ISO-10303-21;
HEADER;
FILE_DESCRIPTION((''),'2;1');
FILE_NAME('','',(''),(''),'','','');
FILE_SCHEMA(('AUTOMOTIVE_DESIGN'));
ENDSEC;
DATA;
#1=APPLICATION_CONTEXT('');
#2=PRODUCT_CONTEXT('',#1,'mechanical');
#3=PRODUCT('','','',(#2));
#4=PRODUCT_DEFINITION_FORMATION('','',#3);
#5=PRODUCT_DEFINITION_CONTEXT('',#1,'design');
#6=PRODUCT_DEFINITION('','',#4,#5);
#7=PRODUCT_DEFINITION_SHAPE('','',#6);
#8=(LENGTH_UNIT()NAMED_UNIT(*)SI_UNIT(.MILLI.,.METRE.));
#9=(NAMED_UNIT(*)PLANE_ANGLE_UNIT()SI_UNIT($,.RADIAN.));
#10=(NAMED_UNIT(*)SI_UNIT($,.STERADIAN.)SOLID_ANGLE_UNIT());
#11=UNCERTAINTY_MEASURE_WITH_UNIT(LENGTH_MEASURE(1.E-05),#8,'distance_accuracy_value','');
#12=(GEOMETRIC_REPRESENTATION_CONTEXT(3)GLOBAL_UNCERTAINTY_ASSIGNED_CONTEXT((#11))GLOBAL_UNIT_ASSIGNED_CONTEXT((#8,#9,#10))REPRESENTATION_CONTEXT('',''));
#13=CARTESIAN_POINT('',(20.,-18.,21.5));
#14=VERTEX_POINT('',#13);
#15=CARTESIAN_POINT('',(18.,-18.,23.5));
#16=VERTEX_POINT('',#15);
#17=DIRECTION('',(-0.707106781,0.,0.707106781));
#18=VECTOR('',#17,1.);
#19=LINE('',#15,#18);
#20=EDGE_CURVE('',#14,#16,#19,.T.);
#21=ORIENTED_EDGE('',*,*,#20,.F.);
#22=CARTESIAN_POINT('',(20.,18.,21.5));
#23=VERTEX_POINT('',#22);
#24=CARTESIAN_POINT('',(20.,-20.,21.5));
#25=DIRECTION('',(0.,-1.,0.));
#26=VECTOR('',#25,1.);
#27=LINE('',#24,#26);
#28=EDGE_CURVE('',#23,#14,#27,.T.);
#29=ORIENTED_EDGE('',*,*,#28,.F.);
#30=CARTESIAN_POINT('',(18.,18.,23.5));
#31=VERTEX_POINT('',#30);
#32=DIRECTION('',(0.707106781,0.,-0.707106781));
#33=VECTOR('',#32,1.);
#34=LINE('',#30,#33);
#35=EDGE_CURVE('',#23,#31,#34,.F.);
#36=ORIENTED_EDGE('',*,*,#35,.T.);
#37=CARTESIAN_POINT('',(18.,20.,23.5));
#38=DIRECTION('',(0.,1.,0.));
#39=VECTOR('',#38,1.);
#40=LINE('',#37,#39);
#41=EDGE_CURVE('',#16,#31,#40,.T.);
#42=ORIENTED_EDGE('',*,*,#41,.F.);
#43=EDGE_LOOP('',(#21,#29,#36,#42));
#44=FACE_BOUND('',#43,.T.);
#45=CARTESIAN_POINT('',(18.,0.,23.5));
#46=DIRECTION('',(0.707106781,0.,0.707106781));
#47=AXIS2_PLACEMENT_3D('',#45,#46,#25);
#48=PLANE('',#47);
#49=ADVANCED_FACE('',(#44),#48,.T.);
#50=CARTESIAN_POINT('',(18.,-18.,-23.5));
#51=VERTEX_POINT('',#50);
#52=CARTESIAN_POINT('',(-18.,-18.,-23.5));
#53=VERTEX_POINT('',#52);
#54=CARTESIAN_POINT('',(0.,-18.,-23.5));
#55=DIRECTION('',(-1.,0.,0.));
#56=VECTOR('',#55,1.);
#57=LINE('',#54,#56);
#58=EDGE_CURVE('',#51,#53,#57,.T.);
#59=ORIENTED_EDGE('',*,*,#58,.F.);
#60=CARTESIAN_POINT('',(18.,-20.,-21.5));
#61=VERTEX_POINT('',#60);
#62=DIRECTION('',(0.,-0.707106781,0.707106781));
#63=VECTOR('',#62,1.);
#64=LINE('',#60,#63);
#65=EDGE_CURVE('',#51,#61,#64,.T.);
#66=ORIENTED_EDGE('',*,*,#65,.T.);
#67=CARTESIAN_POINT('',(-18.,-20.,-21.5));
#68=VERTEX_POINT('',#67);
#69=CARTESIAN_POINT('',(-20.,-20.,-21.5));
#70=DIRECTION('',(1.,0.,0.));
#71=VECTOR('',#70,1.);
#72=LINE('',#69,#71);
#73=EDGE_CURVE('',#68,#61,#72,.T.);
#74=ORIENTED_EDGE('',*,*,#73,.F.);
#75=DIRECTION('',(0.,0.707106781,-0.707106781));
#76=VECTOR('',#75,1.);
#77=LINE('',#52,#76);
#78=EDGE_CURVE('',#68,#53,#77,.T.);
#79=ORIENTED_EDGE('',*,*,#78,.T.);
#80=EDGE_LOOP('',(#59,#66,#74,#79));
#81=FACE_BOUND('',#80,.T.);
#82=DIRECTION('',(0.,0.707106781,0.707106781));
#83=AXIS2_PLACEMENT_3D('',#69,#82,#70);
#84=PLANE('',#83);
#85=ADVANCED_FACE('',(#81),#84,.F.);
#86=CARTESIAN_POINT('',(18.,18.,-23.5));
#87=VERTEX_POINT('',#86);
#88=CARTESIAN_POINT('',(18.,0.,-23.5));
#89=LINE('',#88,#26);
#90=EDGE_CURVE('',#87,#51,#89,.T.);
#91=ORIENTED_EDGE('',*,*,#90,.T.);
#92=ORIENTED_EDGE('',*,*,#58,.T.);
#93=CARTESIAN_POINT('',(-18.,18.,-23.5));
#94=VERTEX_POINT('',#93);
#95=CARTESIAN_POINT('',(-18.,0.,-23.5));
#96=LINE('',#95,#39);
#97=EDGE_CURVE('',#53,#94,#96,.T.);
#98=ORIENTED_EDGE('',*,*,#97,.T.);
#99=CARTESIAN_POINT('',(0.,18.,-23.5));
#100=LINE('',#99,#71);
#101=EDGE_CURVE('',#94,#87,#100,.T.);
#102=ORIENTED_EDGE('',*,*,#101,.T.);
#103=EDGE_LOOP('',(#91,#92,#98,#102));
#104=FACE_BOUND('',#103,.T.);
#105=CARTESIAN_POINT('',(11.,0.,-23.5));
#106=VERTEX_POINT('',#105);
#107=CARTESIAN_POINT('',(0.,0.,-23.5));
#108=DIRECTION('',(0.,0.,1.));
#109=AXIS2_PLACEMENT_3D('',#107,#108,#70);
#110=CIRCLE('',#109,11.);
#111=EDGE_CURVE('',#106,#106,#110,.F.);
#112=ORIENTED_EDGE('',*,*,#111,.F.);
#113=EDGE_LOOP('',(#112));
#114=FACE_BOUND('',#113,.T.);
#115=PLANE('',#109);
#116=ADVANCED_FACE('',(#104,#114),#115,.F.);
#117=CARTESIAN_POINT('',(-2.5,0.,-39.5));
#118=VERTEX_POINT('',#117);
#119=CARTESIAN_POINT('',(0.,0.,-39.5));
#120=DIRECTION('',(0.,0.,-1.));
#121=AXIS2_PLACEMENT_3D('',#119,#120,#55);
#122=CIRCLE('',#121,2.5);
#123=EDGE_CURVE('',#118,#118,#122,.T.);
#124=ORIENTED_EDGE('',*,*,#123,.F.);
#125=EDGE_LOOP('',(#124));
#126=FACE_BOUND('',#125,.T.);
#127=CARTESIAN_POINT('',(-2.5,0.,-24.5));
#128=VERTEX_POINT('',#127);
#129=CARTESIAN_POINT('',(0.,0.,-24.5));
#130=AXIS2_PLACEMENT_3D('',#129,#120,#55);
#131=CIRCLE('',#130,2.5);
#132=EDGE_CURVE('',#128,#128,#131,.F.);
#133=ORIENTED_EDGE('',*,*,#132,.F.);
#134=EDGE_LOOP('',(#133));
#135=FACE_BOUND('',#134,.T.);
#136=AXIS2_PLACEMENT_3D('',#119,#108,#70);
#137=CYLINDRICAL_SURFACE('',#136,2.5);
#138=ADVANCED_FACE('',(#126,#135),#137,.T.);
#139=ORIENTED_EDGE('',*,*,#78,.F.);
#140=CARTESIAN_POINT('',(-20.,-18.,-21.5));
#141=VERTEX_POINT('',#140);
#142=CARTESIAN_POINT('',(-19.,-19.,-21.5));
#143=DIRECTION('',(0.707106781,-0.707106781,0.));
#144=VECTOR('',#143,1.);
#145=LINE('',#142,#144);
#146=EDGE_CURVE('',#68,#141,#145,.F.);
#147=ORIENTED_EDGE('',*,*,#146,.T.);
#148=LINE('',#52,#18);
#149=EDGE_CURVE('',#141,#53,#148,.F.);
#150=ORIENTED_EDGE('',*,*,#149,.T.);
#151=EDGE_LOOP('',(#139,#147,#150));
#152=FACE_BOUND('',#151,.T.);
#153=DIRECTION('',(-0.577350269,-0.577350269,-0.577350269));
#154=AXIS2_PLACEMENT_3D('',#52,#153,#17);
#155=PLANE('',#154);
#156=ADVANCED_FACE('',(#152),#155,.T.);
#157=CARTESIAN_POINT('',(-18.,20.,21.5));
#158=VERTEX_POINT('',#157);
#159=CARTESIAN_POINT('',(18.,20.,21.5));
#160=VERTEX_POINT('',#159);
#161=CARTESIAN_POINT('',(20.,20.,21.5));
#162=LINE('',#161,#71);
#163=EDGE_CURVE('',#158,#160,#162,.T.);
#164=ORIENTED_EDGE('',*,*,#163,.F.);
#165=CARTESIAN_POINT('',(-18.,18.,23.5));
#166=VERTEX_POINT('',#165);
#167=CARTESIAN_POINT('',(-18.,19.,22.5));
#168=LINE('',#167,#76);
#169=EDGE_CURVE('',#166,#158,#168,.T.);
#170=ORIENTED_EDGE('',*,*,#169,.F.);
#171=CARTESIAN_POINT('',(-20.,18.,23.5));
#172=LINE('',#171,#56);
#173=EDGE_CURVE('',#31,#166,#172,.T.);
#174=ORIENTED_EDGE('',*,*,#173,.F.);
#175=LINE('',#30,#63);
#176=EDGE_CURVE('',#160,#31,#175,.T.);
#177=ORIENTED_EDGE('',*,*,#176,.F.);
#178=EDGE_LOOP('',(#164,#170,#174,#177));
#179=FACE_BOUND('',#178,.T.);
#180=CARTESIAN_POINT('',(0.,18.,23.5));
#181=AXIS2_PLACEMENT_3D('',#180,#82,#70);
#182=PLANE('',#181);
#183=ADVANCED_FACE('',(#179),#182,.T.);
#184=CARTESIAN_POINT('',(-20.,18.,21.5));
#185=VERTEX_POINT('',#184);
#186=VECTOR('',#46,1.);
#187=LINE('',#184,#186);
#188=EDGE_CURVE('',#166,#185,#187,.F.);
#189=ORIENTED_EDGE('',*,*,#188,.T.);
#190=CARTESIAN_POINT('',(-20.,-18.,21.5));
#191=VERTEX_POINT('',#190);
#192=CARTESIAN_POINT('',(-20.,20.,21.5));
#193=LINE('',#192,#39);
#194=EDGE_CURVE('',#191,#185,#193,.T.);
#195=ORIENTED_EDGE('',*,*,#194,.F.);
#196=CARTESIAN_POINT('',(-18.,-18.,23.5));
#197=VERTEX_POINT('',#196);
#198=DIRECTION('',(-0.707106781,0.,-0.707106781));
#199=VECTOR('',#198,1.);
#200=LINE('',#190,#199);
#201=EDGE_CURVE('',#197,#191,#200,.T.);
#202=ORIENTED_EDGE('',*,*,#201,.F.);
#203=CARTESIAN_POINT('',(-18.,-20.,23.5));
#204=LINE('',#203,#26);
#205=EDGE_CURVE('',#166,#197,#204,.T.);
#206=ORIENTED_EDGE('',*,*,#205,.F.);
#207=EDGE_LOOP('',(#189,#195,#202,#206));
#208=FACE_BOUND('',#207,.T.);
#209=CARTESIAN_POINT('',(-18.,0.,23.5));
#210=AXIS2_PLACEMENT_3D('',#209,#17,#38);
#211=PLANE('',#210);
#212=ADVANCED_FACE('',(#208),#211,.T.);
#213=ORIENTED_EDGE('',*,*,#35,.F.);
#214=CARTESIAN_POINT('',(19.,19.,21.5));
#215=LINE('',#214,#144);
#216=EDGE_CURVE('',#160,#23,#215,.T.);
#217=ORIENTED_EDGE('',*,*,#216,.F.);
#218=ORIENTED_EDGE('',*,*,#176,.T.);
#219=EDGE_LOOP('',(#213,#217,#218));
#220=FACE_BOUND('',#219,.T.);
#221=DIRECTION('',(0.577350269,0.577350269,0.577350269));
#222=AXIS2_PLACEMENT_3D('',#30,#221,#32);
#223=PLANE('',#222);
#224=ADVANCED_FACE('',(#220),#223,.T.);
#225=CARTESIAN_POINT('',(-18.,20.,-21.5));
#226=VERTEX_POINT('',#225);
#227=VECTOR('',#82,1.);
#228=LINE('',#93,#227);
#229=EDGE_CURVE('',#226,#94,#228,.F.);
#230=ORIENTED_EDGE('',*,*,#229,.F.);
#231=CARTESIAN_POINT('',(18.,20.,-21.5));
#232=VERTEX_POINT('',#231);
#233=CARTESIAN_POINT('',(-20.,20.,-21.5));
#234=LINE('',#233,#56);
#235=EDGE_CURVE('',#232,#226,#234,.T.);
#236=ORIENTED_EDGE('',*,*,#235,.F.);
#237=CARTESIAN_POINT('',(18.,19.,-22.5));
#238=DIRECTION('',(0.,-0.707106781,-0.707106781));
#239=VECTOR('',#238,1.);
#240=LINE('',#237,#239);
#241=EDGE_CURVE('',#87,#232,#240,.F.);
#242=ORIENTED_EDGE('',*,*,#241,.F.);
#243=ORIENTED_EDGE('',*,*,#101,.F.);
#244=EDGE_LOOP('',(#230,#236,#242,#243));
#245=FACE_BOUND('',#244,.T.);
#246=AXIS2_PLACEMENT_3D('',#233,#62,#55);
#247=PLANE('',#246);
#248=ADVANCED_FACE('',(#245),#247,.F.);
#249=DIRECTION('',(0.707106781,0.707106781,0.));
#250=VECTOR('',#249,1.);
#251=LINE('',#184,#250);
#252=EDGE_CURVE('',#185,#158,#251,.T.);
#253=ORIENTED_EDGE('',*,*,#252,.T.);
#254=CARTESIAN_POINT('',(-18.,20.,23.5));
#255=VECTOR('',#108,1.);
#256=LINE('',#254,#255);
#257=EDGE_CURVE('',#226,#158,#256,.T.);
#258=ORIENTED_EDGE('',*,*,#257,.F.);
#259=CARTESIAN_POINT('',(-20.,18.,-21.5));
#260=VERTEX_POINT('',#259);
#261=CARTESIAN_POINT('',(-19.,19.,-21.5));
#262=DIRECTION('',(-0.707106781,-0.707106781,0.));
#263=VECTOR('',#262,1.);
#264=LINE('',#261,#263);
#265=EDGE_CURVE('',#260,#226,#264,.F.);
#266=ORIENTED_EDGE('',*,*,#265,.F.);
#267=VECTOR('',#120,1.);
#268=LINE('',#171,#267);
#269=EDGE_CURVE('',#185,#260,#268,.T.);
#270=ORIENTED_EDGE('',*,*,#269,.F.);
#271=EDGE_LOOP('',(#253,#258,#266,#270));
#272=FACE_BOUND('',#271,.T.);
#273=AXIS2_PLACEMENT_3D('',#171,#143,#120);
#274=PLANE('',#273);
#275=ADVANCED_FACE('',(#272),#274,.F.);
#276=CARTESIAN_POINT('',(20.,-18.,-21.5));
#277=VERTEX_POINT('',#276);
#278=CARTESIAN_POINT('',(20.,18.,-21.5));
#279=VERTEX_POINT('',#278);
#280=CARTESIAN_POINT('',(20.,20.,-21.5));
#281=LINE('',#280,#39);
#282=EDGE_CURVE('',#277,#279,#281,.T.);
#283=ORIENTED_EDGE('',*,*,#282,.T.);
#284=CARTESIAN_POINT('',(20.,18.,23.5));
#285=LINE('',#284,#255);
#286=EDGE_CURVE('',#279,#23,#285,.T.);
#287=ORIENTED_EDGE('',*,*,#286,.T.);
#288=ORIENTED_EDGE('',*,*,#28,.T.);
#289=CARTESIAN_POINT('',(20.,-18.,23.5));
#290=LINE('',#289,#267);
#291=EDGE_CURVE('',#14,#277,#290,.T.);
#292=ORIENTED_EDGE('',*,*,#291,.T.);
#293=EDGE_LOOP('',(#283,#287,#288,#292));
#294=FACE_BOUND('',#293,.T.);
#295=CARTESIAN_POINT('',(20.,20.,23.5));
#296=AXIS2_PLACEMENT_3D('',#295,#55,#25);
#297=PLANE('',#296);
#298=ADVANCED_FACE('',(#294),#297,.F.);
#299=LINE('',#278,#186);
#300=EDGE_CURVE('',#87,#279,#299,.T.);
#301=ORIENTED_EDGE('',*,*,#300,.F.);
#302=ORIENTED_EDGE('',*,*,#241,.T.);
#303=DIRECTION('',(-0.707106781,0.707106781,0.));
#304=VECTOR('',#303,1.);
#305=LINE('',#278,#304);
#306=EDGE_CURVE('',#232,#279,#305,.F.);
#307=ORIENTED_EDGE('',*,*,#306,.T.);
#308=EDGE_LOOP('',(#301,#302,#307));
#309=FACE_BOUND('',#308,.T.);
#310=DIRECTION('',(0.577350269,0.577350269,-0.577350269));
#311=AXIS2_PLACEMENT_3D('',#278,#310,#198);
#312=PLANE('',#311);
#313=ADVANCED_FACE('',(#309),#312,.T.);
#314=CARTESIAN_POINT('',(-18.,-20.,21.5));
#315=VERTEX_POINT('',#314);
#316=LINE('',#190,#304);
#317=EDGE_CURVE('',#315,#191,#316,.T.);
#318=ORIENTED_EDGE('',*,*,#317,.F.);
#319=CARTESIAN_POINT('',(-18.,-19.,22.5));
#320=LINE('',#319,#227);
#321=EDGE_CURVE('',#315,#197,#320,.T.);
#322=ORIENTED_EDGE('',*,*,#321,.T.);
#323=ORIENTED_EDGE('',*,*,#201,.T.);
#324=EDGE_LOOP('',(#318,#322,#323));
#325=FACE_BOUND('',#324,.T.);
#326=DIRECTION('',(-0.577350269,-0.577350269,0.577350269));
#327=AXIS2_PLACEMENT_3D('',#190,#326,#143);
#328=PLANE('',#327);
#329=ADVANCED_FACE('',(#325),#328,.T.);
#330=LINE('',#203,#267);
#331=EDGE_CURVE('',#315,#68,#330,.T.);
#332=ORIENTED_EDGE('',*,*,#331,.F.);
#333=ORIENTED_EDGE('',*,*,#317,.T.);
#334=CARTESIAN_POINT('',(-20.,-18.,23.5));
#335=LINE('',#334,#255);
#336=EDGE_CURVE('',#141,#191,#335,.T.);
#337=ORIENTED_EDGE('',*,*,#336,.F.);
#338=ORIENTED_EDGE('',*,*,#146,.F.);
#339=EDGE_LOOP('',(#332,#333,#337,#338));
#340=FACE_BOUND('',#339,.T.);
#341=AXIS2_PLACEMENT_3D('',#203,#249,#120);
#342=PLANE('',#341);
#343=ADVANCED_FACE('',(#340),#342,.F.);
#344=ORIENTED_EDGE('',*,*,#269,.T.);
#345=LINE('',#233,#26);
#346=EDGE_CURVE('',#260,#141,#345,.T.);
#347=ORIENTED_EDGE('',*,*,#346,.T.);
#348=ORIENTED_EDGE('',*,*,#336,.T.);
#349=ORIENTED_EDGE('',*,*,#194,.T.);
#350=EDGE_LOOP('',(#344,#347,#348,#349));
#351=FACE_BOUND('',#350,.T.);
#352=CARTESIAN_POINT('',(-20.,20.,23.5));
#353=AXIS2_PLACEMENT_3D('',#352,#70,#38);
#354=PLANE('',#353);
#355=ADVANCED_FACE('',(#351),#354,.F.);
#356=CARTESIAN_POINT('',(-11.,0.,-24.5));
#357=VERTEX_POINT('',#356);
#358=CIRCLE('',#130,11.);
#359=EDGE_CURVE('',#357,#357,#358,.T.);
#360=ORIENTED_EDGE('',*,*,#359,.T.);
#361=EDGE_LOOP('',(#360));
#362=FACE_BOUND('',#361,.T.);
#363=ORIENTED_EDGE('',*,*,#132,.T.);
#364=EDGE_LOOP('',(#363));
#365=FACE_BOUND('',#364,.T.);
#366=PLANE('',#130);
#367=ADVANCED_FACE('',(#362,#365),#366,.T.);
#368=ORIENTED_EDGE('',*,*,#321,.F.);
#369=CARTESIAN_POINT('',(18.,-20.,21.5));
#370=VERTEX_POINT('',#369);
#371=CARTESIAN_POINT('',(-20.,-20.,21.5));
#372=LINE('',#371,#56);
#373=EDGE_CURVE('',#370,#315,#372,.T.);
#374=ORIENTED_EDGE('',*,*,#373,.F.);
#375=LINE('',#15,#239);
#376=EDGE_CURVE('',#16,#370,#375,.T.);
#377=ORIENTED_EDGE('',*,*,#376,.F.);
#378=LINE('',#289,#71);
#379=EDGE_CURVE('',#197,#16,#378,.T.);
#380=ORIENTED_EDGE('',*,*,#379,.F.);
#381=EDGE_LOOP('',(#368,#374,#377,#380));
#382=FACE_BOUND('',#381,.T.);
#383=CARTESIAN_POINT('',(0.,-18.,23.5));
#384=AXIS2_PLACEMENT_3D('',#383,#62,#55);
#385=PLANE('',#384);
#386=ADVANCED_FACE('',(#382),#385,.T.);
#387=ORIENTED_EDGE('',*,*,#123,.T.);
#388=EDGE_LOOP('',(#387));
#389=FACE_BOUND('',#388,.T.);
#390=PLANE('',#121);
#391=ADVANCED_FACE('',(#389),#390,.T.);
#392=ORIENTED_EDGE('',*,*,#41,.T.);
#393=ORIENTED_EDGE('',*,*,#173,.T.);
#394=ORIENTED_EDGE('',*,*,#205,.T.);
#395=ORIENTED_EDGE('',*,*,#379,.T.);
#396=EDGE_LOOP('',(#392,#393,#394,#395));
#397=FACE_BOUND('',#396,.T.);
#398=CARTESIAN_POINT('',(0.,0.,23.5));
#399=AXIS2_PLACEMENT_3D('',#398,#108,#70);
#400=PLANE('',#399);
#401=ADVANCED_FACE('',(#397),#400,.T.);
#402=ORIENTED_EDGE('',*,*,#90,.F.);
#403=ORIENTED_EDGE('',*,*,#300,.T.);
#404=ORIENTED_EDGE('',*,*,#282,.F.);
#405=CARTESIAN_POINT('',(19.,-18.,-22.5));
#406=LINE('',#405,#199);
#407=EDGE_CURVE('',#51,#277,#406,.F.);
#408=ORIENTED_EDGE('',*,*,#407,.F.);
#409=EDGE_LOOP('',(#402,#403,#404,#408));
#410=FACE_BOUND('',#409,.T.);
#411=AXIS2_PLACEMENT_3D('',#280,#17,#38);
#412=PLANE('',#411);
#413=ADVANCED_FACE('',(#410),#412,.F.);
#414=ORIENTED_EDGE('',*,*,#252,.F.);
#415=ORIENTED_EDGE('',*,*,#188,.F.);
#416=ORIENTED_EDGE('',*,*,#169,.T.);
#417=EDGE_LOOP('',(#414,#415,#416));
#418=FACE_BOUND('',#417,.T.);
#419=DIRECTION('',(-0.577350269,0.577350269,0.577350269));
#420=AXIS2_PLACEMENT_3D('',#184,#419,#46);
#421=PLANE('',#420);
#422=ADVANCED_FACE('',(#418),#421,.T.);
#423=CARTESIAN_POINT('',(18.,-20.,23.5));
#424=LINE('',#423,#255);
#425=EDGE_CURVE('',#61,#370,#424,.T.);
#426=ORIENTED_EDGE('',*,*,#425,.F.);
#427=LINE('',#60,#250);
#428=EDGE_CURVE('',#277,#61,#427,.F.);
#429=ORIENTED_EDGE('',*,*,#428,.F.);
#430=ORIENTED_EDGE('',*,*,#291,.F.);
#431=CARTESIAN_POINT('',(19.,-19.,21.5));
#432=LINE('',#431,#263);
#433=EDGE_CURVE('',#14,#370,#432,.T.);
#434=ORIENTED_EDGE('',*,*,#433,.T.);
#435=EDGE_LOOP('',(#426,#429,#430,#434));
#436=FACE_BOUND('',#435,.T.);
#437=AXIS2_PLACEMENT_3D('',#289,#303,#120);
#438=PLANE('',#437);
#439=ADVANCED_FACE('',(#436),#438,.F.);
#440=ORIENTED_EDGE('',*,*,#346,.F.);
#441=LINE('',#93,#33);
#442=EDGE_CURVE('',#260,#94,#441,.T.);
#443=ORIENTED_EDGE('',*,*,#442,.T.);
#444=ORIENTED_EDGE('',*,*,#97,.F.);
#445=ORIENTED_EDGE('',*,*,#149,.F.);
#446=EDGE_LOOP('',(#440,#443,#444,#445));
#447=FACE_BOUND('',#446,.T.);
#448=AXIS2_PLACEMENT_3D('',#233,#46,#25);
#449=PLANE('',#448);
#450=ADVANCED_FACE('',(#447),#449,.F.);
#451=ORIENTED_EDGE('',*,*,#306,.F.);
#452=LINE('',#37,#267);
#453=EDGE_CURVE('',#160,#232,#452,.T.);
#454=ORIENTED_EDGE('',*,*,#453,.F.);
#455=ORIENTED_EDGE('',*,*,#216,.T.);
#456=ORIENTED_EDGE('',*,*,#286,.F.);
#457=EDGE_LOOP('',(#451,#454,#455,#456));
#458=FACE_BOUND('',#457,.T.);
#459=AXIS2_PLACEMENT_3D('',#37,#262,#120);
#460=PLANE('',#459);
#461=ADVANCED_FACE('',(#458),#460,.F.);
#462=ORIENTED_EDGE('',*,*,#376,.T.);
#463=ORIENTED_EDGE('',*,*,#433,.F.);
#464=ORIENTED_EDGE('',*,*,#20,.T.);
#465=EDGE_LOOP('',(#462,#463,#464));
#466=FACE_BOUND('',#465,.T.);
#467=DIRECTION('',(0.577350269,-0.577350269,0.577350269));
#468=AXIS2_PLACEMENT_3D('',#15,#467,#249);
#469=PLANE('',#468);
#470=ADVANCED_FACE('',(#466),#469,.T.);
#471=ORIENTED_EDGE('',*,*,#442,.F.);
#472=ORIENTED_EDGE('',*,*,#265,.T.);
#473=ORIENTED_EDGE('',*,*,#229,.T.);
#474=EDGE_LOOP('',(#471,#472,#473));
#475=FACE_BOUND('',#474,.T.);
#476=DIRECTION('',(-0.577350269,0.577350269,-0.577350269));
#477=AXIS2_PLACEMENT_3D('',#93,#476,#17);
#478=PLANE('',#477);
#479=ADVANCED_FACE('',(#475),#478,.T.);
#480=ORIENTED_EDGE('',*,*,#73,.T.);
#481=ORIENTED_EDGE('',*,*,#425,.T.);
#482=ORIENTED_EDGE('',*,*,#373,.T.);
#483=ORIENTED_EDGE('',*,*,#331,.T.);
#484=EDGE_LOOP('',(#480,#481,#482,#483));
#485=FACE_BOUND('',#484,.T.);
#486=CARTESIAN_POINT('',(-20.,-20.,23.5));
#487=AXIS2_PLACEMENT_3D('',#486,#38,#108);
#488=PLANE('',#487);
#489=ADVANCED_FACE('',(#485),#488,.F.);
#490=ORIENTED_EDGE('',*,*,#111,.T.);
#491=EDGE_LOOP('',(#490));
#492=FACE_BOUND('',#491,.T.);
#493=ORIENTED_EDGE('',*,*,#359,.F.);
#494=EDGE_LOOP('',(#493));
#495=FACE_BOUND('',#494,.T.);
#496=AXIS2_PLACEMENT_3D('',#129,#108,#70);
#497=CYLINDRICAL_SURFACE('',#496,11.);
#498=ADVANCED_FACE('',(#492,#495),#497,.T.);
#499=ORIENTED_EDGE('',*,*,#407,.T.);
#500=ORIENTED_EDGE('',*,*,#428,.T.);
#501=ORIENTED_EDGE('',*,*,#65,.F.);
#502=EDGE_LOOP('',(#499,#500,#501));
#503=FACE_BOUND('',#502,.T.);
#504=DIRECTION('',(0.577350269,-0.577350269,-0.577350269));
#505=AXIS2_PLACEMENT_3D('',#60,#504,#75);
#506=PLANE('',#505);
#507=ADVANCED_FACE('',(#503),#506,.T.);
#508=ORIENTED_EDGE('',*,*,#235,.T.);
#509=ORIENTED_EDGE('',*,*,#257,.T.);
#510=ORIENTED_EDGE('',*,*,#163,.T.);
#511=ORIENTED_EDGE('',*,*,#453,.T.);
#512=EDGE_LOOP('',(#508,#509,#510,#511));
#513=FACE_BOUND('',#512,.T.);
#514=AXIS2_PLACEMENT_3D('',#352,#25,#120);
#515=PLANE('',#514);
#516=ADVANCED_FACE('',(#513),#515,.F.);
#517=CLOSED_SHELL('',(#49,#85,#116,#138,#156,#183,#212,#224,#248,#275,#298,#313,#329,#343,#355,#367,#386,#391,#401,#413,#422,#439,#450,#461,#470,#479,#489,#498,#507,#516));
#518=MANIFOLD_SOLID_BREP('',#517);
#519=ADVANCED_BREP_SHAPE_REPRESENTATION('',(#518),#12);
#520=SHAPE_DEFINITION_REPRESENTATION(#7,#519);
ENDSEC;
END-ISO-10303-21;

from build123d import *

# Parameters (mm, degrees)
SKETCH1_W           = 40
SKETCH1_H           = 40
BOSS_EXTRUDE1_DEPTH = 23.5
CHAMFER1_SIZE       = 2
SKETCH2_R           = 11
BOSS_EXTRUDE2_DEPTH = 1
SKETCH3_R           = 2.5
BOSS_EXTRUDE3_DEPTH = 15


with BuildPart() as part:
    # Sketch1 → Boss-Extrude1 (new body, symmetric)
    with BuildSketch(Plane.XY):
        Rectangle(SKETCH1_W, SKETCH1_H)
    extrude(amount=BOSS_EXTRUDE1_DEPTH, both=True)

    # Chamfer1
    chamfer1_edges = [part.edges().sort_by_distance(p)[0] for p in [
        (-20, 0, 23.5),
        (0, -20, 23.5),
        (20, 0, 23.5),
        (0, -20, -23.5),
        (-20, 0, -23.5),
        (0, 20, -23.5),
        (20, 0, -23.5),
        (20, -20, 0),
        (-20, -20, 0),
        (-20, 20, 0),
        (20, 20, 0),
        (0, 20, 23.5),
    ]]
    chamfer(chamfer1_edges, length=CHAMFER1_SIZE)

    # Sketch2 → Boss-Extrude2 (add, symmetric)
    with BuildSketch(Plane(origin=(0, 0, -23.5), x_dir=(-1, 0, 0), z_dir=(0, 0, -1))):
        Circle(SKETCH2_R)
    extrude(amount=BOSS_EXTRUDE2_DEPTH, both=True)

    # Sketch3 → Boss-Extrude3 (add, symmetric)
    with BuildSketch(Plane(origin=(0, 0, -24.5), x_dir=(-1, 0, 0), z_dir=(0, 0, -1))):
        Circle(SKETCH3_R)
    extrude(amount=BOSS_EXTRUDE3_DEPTH, both=True)


solid = part.part
